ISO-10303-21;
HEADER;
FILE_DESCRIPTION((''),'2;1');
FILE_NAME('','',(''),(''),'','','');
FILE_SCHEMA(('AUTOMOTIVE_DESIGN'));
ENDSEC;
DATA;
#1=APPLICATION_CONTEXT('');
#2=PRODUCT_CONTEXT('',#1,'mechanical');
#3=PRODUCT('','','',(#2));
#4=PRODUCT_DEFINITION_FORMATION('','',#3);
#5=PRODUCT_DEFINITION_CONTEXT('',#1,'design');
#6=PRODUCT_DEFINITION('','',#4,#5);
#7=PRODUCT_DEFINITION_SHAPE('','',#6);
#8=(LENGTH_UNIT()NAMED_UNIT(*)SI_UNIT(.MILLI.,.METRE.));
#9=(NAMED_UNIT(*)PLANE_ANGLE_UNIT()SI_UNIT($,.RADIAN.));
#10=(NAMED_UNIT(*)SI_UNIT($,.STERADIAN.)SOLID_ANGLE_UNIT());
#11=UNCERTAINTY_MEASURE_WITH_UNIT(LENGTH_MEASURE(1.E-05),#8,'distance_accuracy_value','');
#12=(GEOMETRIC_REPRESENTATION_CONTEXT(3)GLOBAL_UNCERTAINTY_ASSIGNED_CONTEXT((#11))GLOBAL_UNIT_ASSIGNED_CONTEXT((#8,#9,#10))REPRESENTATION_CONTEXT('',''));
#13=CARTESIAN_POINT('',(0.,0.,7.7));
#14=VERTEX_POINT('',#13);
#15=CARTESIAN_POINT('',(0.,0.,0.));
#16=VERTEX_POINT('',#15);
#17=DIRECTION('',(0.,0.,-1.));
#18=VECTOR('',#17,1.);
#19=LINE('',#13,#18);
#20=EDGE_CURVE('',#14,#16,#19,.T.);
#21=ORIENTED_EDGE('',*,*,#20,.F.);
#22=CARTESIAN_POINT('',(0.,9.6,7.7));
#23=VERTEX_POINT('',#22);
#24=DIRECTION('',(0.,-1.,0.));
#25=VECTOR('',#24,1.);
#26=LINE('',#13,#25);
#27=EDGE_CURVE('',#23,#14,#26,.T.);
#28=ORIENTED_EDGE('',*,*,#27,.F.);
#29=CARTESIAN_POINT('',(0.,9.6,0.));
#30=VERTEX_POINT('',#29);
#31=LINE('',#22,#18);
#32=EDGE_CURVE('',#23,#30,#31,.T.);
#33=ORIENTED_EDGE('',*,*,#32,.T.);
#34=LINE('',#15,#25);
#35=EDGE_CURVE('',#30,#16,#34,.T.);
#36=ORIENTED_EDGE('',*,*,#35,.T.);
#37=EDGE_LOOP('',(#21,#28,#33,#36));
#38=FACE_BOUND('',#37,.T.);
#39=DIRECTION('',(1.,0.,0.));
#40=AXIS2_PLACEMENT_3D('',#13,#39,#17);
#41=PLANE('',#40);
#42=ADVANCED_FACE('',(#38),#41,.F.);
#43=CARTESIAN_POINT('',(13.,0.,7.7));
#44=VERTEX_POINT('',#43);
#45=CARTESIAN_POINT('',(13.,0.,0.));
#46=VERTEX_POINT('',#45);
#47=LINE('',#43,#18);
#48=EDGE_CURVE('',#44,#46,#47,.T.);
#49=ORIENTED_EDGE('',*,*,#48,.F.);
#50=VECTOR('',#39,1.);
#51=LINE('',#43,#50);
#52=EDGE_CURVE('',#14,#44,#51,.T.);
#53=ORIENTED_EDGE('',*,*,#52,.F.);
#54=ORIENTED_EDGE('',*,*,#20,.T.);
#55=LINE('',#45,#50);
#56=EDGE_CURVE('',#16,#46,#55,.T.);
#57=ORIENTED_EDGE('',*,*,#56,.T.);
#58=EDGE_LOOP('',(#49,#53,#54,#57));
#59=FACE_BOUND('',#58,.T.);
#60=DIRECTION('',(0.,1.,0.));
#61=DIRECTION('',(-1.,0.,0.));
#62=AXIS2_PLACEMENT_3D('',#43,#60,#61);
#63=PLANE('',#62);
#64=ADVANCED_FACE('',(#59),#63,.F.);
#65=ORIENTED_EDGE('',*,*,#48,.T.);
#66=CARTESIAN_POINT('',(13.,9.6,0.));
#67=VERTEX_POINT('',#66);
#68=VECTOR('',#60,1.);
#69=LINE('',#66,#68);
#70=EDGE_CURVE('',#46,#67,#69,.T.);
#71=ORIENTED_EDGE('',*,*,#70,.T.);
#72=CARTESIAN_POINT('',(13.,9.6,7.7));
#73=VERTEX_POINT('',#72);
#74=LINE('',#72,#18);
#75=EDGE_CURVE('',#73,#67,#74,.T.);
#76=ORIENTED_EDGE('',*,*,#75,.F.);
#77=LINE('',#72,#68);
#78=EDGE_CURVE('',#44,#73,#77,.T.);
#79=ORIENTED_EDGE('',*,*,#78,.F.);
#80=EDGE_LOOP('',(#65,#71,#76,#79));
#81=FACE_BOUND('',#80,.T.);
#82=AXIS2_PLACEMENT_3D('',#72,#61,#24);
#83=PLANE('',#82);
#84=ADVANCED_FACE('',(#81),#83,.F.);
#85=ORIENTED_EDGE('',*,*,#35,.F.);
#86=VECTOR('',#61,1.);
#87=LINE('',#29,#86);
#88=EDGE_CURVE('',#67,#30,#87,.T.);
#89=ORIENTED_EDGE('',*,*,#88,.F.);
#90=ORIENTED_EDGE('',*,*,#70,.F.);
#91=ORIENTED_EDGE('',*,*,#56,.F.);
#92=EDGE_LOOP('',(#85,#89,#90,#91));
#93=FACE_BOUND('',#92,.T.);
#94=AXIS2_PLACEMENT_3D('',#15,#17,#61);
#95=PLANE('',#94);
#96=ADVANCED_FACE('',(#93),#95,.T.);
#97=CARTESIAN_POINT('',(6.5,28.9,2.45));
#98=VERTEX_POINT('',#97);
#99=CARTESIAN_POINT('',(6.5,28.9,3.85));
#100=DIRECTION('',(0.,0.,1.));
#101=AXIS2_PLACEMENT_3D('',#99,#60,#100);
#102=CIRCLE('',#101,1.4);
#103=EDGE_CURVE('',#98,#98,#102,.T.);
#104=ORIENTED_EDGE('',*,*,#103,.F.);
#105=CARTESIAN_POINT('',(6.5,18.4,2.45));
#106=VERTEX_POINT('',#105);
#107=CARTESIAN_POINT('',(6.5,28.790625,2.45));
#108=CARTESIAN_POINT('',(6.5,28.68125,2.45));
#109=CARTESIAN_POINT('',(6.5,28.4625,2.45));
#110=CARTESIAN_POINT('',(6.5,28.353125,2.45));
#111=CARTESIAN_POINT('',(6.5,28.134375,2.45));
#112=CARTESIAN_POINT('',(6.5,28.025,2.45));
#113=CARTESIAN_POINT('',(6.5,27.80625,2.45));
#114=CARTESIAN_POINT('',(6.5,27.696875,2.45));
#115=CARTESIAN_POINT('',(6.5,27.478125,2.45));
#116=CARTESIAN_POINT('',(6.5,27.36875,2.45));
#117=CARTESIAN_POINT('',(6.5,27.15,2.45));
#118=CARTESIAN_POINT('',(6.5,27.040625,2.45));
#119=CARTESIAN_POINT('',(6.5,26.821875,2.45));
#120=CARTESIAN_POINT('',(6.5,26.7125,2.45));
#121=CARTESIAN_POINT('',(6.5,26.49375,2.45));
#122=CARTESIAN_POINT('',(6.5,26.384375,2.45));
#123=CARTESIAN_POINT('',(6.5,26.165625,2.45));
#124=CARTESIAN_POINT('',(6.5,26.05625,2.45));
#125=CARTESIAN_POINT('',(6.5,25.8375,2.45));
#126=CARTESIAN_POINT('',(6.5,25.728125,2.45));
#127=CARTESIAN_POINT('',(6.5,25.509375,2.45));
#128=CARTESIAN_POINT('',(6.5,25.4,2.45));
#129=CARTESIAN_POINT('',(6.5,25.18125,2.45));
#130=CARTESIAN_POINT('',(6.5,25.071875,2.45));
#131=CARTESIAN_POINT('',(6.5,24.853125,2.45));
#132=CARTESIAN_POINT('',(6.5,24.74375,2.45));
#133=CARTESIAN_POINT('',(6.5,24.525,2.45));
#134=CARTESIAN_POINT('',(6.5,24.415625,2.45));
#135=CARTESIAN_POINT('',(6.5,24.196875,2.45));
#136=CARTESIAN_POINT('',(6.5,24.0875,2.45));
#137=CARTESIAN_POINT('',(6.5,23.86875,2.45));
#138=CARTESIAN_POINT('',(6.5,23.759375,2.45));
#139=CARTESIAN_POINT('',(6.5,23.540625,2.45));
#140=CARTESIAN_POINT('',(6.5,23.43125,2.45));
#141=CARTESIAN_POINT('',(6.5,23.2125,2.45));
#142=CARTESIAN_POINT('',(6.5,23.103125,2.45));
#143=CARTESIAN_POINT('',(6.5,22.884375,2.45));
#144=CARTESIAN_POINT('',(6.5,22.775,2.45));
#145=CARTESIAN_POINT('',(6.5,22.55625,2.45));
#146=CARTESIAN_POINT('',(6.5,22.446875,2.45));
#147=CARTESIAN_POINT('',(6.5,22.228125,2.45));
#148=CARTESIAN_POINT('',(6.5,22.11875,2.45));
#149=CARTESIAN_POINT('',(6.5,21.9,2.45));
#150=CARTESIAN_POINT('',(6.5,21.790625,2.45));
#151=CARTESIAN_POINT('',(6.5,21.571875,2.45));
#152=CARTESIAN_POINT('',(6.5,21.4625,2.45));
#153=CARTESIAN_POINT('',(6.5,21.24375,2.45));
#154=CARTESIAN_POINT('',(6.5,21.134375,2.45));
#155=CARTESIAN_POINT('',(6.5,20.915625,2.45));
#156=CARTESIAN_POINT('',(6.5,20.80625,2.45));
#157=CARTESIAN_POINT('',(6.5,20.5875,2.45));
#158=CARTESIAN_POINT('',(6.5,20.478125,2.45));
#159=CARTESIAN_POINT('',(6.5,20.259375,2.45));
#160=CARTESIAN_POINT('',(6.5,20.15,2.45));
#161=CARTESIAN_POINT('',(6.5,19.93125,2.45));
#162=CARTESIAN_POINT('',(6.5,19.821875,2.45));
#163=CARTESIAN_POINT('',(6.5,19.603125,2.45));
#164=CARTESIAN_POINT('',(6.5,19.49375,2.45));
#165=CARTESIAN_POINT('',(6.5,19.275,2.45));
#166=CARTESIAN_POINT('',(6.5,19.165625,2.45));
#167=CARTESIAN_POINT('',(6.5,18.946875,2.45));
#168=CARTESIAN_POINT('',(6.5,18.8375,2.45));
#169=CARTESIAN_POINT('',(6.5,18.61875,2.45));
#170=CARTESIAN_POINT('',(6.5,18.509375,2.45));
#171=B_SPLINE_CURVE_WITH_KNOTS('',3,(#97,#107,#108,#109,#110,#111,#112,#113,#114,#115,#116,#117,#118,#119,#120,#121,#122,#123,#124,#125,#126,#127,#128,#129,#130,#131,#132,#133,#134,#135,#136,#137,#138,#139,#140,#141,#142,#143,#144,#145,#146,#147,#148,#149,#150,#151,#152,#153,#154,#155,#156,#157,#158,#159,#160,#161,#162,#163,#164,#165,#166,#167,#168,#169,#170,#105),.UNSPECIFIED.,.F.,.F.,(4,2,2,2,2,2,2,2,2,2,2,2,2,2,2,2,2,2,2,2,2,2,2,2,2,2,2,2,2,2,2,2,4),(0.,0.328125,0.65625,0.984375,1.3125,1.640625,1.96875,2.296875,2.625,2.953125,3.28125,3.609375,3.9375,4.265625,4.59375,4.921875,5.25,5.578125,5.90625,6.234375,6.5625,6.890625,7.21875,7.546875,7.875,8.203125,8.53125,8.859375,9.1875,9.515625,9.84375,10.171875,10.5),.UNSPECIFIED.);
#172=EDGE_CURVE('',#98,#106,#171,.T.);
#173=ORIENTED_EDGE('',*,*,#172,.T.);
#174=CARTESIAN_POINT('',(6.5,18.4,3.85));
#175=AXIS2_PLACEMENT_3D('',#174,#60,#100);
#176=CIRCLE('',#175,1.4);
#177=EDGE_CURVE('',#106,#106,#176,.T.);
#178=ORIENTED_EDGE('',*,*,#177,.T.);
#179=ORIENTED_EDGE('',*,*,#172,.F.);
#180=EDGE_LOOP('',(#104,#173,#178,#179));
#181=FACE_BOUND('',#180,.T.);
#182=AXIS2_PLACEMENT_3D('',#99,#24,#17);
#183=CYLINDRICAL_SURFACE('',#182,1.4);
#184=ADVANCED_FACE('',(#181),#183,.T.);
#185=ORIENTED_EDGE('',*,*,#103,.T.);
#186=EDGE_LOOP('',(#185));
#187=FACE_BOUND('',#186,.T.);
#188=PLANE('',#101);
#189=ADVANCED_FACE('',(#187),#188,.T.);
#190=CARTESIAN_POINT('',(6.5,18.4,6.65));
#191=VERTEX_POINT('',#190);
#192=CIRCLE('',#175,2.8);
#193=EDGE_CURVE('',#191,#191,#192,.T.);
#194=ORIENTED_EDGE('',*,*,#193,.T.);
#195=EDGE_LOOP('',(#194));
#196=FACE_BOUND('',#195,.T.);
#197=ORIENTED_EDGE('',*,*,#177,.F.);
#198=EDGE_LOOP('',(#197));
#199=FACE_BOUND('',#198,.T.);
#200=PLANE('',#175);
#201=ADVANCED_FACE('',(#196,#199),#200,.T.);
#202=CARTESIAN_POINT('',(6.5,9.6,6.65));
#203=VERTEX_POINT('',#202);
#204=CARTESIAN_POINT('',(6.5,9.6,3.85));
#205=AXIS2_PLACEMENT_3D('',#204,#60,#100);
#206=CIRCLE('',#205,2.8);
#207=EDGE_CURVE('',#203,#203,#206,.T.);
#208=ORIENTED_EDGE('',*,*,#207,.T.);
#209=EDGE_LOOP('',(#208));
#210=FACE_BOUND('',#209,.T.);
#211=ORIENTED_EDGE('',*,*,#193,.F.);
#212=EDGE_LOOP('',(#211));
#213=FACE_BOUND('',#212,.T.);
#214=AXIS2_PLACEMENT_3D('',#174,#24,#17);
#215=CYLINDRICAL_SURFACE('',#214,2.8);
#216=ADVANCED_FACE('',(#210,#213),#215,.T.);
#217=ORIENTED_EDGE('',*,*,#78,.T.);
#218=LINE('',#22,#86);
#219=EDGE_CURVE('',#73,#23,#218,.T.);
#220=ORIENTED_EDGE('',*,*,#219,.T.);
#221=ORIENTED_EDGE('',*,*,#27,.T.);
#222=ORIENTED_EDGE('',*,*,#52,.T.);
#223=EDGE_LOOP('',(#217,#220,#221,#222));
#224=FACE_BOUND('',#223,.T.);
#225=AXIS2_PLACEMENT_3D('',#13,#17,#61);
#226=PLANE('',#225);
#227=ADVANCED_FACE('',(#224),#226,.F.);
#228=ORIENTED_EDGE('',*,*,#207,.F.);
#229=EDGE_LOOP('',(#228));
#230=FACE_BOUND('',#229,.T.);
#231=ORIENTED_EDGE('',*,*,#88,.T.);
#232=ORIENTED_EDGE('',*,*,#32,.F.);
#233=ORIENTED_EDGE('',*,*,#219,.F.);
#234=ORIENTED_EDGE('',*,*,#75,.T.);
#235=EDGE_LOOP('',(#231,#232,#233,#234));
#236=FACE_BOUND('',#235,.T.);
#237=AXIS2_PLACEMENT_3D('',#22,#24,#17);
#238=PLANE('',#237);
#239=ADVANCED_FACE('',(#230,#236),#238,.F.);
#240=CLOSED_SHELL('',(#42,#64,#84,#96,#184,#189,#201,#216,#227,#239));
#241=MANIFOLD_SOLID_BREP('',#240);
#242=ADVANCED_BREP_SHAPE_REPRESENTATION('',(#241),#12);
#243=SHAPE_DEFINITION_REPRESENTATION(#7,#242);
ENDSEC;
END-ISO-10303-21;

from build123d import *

# Parameters (mm, degrees)
ESBO_O2_W                = 13
ESBO_O2_H                = 9.6
RESSALTO_EXTRUS_O1_DEPTH = 7.7
ESBO_O3_R                = 2.8
RESSALTO_EXTRUS_O2_DEPTH = 8.8
ESBO_O5_R                = 1.4
RESSALTO_EXTRUS_O3_DEPTH = 10.5


with BuildPart() as part:
    # Esboço2 → Ressalto-extrusão1 (new body)
    with BuildSketch(Plane.XY):
        with Locations((6.5, 4.8)):
            Rectangle(ESBO_O2_W, ESBO_O2_H)
    extrude(amount=RESSALTO_EXTRUS_O1_DEPTH)

    # Esboço3 → Ressalto-extrusão2 (add)
    with BuildSketch(Plane(origin=(0, 9.6, 0), x_dir=(1, 0, 0), z_dir=(0, 1, 0))):
        with Locations(Location((6.5, -3.85, 0), (0, 0, 270))):
            Circle(ESBO_O3_R)
    extrude(amount=RESSALTO_EXTRUS_O2_DEPTH)

    # Esboço5 → Ressalto-extrusão3 (add)
    with BuildSketch(Plane(origin=(0, 18.4, 0), x_dir=(1, 0, 0), z_dir=(0, 1, 0))):
        with Locations(Location((6.5, -3.85, 0), (0, 0, 90))):
            Circle(ESBO_O5_R)
    extrude(amount=RESSALTO_EXTRUS_O3_DEPTH)


solid = part.part
